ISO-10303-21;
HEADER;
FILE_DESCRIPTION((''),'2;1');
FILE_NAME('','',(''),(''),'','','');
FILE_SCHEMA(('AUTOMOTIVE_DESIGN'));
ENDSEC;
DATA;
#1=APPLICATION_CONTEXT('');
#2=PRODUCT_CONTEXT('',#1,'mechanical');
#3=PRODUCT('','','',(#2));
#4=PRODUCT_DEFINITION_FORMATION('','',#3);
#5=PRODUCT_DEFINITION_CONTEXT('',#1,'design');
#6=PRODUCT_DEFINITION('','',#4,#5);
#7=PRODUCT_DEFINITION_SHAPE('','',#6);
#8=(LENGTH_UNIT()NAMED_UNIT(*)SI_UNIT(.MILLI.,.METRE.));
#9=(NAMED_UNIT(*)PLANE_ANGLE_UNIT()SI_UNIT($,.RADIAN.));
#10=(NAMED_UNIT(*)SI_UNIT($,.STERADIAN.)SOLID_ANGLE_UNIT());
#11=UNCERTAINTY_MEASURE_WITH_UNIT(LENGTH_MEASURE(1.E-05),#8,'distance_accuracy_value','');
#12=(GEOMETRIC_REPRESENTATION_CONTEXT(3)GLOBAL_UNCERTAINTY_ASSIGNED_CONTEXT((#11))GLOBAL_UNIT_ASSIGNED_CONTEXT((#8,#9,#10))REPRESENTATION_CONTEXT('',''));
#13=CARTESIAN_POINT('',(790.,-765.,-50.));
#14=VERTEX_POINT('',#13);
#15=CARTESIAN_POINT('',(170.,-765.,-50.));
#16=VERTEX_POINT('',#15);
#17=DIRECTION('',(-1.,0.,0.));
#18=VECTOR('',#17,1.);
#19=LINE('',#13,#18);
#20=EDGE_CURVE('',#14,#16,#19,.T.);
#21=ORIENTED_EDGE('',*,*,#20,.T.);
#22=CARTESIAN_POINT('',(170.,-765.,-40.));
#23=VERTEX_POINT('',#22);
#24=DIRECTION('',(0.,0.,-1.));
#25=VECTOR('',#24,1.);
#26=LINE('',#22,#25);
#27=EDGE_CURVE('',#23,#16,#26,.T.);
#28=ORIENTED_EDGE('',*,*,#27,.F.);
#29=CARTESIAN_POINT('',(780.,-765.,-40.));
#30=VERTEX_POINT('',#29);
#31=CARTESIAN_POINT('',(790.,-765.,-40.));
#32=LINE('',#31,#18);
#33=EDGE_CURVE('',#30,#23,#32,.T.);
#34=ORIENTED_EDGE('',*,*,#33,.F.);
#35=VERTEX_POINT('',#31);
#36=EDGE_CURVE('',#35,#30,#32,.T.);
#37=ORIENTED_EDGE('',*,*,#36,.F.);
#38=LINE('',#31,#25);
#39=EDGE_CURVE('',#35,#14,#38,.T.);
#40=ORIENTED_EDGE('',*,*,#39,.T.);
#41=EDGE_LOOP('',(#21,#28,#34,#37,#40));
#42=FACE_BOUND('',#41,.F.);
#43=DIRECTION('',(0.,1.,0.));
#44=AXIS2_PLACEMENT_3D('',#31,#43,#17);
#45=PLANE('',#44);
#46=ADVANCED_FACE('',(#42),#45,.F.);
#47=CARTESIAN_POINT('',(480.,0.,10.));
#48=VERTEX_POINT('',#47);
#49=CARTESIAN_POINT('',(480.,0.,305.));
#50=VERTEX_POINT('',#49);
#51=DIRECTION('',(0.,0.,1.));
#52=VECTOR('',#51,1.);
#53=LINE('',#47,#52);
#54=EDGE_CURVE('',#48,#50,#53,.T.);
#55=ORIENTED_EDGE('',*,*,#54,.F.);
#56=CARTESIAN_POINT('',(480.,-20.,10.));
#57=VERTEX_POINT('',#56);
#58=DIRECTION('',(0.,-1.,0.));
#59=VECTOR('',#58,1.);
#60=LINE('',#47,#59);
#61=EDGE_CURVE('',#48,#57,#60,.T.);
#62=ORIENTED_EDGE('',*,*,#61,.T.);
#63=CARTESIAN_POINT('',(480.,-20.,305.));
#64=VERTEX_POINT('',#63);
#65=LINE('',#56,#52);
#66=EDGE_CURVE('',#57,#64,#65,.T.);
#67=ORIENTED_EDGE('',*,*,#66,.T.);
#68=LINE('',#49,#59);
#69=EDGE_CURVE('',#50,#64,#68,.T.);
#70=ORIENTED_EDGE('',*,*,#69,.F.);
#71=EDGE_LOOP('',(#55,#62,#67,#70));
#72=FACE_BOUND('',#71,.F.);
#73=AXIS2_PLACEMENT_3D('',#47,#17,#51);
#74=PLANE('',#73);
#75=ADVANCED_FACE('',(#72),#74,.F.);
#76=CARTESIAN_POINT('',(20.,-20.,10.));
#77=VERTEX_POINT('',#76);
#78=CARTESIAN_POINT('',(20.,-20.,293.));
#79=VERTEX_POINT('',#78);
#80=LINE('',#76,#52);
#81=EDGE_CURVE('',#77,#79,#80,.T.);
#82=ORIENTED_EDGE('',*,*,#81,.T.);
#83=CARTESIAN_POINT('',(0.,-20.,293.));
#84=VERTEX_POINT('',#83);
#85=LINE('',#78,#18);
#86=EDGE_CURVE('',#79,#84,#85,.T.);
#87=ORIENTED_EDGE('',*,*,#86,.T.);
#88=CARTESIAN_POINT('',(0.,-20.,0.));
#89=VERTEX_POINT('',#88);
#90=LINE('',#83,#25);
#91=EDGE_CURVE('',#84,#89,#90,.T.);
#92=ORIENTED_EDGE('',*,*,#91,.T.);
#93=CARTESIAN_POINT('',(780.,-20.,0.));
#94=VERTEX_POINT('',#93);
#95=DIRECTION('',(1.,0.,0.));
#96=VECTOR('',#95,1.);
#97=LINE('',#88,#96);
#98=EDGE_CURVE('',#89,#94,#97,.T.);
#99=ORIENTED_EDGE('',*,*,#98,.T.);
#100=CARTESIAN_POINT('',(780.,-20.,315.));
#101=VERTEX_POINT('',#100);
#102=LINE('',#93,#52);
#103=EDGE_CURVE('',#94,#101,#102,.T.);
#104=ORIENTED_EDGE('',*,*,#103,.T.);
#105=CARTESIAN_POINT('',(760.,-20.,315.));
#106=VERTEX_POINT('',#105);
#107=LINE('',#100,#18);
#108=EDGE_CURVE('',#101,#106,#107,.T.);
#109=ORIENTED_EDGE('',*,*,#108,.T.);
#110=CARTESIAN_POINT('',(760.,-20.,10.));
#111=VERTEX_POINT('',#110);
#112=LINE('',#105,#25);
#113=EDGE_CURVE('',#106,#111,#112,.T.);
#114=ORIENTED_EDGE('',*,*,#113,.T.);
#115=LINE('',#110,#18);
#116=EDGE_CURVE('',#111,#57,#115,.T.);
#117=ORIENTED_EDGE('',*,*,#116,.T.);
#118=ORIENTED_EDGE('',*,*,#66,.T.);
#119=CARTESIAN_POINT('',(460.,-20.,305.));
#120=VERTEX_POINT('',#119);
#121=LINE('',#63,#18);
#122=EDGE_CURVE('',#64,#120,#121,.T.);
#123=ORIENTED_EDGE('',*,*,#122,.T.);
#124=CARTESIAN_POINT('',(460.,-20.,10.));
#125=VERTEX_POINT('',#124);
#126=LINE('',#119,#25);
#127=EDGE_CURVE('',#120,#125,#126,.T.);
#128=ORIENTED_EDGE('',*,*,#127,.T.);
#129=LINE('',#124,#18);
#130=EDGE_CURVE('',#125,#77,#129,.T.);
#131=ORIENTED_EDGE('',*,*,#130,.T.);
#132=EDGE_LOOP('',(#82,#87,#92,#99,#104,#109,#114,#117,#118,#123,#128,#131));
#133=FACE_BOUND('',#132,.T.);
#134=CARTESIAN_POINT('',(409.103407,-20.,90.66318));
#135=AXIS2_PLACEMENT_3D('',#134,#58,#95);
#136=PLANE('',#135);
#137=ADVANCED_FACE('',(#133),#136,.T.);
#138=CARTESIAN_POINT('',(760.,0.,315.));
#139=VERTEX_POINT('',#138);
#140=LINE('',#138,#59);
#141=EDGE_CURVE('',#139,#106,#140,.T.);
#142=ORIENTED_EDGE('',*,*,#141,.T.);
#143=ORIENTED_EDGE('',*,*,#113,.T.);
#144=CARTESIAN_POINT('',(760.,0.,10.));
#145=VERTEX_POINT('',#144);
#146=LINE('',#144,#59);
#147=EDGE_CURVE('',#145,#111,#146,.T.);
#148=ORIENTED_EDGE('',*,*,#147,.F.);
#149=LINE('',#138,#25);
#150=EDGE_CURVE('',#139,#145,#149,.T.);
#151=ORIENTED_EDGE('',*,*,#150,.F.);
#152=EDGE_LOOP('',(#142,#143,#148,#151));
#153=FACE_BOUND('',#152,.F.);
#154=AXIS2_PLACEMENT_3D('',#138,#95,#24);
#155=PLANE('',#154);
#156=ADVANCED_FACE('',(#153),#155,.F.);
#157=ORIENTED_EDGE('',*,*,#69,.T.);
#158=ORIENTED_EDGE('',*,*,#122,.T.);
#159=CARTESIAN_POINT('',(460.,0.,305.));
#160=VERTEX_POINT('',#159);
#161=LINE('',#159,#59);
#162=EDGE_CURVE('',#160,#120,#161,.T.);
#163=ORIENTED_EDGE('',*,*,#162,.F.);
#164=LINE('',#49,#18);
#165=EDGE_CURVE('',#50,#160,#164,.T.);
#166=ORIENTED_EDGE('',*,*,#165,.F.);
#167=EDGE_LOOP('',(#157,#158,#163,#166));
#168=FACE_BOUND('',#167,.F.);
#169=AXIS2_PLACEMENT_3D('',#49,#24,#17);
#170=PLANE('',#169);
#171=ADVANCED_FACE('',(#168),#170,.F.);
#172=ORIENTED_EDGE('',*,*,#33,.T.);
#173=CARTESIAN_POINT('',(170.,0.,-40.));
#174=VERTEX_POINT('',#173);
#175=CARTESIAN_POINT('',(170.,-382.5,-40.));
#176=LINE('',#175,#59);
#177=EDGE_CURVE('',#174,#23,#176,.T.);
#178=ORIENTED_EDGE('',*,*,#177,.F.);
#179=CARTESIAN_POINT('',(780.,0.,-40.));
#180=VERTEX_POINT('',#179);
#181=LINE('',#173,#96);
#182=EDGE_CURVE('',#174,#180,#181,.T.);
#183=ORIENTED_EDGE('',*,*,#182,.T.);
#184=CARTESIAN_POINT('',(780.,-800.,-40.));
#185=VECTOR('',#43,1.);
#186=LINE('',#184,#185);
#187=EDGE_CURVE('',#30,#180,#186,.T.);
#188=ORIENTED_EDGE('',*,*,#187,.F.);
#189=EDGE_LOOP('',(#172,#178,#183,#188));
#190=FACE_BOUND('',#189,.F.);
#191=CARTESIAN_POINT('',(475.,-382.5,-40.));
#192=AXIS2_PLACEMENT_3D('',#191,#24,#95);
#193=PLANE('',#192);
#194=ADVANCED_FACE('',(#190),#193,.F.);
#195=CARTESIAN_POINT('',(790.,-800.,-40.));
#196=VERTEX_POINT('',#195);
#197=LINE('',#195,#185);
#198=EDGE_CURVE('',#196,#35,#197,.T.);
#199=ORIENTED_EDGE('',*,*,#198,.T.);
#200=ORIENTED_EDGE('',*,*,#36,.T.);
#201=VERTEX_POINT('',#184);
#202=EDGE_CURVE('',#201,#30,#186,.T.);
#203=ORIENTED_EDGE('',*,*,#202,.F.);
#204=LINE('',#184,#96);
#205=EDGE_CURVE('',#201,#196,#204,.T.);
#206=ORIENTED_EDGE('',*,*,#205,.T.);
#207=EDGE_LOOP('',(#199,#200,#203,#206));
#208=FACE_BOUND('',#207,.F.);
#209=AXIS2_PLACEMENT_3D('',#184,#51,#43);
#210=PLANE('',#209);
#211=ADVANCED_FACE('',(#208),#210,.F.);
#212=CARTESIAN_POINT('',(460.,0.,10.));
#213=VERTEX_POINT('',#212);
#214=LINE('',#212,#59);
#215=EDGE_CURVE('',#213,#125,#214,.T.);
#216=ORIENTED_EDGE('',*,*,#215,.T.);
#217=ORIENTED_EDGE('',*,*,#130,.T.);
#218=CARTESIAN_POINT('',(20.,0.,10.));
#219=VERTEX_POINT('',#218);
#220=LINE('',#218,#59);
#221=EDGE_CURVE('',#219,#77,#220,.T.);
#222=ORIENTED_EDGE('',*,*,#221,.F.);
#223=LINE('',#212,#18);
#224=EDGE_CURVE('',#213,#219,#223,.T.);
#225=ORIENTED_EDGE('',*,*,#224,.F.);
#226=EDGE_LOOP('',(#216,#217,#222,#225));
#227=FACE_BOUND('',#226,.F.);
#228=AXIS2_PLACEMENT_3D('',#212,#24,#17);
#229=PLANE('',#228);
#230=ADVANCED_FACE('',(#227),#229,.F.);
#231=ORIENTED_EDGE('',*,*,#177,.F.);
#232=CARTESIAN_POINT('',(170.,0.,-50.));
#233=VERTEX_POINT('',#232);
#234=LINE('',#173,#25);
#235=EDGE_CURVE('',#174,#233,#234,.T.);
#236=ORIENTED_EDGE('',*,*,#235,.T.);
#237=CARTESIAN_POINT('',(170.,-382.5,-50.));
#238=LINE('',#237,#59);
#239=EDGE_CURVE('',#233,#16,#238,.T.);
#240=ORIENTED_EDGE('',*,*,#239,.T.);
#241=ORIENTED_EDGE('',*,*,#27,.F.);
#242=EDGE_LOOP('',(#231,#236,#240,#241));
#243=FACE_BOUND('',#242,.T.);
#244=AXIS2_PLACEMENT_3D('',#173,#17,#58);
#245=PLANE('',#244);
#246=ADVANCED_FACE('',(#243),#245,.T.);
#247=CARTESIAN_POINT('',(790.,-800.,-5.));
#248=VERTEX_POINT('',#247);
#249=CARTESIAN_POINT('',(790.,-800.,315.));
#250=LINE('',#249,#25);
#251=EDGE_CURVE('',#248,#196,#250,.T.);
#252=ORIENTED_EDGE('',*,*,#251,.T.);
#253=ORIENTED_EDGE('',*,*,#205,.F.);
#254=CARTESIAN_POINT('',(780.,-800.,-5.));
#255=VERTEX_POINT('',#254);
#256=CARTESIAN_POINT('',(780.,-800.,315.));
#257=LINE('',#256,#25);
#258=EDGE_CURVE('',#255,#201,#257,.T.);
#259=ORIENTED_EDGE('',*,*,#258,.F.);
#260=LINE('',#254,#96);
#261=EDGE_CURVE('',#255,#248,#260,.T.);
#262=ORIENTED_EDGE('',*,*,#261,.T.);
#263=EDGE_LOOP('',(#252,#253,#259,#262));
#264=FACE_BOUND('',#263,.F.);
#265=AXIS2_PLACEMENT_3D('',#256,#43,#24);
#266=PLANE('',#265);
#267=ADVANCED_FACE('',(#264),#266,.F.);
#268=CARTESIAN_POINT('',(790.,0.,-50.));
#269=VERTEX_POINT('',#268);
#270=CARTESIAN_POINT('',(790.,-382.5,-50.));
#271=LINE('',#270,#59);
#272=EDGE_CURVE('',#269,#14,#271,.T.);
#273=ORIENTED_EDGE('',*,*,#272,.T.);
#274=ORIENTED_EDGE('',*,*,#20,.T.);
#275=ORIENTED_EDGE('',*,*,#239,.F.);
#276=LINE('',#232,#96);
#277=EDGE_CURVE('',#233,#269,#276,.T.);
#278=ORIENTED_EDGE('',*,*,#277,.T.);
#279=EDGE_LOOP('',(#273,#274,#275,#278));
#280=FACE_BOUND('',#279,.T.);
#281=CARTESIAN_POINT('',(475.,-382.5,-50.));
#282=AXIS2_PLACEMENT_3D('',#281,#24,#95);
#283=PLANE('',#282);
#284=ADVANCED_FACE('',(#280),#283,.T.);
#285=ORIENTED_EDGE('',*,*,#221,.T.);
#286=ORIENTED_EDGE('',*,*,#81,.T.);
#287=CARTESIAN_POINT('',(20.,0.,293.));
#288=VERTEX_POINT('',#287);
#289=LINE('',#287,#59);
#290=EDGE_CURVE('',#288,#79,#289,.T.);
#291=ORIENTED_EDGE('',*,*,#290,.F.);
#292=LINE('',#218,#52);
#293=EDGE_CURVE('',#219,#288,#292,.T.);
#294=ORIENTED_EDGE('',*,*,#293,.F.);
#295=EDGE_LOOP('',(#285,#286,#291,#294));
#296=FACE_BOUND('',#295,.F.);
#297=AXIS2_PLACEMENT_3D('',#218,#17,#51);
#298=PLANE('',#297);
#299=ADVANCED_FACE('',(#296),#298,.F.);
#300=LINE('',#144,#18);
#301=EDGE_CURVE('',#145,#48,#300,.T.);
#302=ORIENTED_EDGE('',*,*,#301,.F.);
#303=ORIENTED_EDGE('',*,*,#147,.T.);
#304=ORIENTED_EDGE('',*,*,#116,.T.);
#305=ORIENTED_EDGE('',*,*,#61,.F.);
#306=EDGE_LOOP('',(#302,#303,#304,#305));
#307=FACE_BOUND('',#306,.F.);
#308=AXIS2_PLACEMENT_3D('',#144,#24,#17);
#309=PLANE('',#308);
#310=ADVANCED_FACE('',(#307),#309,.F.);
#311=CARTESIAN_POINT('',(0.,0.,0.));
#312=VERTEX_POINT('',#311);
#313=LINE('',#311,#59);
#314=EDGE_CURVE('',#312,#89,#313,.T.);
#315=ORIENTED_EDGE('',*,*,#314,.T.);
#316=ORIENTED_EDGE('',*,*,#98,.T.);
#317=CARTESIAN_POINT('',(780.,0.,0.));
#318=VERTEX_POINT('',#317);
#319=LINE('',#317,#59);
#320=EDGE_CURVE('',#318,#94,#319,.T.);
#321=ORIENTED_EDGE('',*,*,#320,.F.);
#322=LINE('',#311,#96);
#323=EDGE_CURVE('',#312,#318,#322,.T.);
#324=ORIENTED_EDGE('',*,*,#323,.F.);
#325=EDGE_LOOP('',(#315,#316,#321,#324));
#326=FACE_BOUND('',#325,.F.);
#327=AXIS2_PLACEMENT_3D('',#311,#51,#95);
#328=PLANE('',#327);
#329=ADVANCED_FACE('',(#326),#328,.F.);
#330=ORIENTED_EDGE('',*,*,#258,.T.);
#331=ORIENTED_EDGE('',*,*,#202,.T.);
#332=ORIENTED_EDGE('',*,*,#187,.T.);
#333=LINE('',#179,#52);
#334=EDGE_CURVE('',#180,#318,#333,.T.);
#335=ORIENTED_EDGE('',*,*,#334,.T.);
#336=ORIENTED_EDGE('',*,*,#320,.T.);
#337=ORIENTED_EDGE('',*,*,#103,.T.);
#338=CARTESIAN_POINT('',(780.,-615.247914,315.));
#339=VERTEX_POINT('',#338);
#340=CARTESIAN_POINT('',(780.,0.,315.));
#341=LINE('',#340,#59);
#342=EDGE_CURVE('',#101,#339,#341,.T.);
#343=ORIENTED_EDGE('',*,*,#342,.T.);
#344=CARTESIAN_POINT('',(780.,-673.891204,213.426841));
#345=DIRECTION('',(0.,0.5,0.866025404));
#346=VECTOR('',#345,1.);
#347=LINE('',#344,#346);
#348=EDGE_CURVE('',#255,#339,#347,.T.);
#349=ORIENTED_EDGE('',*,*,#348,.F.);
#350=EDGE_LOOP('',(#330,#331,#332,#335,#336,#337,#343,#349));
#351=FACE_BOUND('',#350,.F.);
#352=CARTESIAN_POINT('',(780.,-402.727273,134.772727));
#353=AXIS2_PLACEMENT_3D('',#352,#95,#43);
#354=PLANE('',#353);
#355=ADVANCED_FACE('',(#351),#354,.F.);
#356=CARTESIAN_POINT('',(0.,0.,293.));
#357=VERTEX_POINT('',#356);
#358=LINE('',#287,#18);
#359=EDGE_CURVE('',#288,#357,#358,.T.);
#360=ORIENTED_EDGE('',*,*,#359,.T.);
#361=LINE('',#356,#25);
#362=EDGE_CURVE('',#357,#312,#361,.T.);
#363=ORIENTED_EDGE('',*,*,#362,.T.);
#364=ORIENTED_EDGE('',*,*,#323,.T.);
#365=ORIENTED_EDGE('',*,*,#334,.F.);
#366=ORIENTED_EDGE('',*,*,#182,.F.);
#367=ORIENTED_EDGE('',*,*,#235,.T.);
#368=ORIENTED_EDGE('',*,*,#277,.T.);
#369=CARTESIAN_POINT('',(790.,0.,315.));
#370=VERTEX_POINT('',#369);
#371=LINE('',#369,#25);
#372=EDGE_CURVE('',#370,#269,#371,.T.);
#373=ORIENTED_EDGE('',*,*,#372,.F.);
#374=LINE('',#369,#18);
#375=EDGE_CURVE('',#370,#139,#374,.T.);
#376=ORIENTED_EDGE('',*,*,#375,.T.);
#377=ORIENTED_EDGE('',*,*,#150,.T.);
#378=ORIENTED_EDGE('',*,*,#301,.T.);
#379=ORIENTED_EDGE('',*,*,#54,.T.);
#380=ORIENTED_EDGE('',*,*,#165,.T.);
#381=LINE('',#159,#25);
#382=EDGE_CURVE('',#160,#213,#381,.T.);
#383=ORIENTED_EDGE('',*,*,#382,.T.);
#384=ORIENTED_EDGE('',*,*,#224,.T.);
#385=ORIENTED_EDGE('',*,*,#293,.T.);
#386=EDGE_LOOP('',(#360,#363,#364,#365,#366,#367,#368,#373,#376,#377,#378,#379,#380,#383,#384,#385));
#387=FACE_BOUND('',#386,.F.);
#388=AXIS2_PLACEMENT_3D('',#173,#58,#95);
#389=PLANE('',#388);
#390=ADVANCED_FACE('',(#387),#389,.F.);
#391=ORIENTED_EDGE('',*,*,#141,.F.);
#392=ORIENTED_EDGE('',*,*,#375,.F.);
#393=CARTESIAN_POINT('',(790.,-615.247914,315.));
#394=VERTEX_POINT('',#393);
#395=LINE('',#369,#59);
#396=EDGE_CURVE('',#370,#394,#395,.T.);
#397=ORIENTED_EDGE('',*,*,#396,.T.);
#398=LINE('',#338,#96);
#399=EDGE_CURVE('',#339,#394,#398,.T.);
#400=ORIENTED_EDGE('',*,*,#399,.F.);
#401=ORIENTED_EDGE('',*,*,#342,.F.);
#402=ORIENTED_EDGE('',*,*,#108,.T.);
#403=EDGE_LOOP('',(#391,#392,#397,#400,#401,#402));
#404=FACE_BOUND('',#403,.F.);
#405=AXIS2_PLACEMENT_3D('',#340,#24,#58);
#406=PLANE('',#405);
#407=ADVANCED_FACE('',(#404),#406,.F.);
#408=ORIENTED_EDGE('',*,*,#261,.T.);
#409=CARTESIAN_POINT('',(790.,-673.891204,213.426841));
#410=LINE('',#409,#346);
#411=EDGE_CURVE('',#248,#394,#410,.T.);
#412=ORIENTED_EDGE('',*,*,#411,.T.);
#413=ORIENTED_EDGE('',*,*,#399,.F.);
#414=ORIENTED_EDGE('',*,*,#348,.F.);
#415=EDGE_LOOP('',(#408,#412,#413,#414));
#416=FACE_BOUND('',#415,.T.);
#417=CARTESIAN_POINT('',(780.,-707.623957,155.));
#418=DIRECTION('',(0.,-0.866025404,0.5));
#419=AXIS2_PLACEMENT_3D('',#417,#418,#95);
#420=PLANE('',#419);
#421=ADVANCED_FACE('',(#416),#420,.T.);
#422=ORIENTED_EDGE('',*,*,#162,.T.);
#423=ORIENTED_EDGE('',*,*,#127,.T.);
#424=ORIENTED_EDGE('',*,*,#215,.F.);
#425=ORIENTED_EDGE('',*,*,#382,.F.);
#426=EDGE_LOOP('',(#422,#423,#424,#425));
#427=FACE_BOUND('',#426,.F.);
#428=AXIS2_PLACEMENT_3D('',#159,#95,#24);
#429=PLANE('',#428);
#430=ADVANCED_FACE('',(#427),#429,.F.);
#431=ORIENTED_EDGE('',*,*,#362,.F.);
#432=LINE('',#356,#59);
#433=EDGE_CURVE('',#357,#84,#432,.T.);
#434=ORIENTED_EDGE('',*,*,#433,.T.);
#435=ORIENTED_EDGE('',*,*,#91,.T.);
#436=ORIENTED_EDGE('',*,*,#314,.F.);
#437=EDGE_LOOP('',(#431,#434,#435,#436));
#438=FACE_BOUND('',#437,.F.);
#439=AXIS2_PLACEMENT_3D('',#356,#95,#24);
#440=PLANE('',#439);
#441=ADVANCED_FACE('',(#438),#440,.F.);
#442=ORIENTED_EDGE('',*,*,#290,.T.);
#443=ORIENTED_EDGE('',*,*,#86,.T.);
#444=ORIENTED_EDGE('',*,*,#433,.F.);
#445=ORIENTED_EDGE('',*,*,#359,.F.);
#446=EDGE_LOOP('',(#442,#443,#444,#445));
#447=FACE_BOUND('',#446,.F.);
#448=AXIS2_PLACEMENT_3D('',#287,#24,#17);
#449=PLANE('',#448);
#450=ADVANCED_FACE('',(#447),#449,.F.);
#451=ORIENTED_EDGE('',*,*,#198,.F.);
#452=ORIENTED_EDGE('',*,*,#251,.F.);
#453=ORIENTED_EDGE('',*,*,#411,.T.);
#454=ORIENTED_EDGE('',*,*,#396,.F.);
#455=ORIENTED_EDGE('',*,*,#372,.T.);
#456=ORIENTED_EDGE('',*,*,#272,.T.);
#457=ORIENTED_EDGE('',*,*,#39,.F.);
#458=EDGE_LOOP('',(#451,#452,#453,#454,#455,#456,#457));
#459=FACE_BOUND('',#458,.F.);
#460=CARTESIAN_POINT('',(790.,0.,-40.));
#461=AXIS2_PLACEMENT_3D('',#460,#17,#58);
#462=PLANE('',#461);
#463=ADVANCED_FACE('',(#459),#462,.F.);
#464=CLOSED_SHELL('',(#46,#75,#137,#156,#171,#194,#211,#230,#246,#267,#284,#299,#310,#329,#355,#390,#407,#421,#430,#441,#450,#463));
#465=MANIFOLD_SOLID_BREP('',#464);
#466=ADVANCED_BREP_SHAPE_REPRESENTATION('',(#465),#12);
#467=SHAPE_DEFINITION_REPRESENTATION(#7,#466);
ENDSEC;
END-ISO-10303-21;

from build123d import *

# Parameters (mm, degrees)
F1_DEPTH = 20
F2_W     = 20
F2_H     = 315
F3_DEPTH = 10
F4_SIZE2 = 184.7520861407
F4_SIZE  = 320
F5_W     = 610
F5_H     = 765
F5_W_2   = 10
F6_DEPTH = 10


with BuildPart() as f1:
    # F0 (on Front) → F1 (new body)
    with BuildSketch(Plane.XZ):
        Polygon((0, 293), (0, 0), (780, 0), (780, 315), (760, 315), (760, 10), (480, 10), (480, 305), (460, 305), (460, 10), (20, 10), (20, 293), align=None)
    extrude(amount=F1_DEPTH)

    # F2 (on face) → F3 (join)
    with BuildSketch(Plane.YZ.offset(780)):
        Polygon((-20, 0), (-20, 315), (-800, 315), (-800, -40), (0, -40), (0, 0), align=None)
        with Locations((-10, 157.5)):
            Rectangle(F2_W, F2_H)
    extrude(amount=F3_DEPTH)

    # F4
    f4_edges = [f1.edges().sort_by_distance(p)[0] for p in [
        (785, -800, 315),
    ]]
    f4_side = f1.faces().sort_by_distance((785, -800, 137.5))[0]
    chamfer(f4_edges, length=F4_SIZE, length2=F4_SIZE2, reference=f4_side)

    # F5 (on face) → F6 (join)
    with BuildSketch(Plane(origin=(0, 0, -40), x_dir=(1, 0, 0), z_dir=(0, 0, -1))):
        with Locations((475, 382.5)):
            Rectangle(F5_W, F5_H)
        with Locations((785, 382.5)):
            Rectangle(F5_W_2, F5_H)
    extrude(amount=F6_DEPTH)


solid = f1.part
